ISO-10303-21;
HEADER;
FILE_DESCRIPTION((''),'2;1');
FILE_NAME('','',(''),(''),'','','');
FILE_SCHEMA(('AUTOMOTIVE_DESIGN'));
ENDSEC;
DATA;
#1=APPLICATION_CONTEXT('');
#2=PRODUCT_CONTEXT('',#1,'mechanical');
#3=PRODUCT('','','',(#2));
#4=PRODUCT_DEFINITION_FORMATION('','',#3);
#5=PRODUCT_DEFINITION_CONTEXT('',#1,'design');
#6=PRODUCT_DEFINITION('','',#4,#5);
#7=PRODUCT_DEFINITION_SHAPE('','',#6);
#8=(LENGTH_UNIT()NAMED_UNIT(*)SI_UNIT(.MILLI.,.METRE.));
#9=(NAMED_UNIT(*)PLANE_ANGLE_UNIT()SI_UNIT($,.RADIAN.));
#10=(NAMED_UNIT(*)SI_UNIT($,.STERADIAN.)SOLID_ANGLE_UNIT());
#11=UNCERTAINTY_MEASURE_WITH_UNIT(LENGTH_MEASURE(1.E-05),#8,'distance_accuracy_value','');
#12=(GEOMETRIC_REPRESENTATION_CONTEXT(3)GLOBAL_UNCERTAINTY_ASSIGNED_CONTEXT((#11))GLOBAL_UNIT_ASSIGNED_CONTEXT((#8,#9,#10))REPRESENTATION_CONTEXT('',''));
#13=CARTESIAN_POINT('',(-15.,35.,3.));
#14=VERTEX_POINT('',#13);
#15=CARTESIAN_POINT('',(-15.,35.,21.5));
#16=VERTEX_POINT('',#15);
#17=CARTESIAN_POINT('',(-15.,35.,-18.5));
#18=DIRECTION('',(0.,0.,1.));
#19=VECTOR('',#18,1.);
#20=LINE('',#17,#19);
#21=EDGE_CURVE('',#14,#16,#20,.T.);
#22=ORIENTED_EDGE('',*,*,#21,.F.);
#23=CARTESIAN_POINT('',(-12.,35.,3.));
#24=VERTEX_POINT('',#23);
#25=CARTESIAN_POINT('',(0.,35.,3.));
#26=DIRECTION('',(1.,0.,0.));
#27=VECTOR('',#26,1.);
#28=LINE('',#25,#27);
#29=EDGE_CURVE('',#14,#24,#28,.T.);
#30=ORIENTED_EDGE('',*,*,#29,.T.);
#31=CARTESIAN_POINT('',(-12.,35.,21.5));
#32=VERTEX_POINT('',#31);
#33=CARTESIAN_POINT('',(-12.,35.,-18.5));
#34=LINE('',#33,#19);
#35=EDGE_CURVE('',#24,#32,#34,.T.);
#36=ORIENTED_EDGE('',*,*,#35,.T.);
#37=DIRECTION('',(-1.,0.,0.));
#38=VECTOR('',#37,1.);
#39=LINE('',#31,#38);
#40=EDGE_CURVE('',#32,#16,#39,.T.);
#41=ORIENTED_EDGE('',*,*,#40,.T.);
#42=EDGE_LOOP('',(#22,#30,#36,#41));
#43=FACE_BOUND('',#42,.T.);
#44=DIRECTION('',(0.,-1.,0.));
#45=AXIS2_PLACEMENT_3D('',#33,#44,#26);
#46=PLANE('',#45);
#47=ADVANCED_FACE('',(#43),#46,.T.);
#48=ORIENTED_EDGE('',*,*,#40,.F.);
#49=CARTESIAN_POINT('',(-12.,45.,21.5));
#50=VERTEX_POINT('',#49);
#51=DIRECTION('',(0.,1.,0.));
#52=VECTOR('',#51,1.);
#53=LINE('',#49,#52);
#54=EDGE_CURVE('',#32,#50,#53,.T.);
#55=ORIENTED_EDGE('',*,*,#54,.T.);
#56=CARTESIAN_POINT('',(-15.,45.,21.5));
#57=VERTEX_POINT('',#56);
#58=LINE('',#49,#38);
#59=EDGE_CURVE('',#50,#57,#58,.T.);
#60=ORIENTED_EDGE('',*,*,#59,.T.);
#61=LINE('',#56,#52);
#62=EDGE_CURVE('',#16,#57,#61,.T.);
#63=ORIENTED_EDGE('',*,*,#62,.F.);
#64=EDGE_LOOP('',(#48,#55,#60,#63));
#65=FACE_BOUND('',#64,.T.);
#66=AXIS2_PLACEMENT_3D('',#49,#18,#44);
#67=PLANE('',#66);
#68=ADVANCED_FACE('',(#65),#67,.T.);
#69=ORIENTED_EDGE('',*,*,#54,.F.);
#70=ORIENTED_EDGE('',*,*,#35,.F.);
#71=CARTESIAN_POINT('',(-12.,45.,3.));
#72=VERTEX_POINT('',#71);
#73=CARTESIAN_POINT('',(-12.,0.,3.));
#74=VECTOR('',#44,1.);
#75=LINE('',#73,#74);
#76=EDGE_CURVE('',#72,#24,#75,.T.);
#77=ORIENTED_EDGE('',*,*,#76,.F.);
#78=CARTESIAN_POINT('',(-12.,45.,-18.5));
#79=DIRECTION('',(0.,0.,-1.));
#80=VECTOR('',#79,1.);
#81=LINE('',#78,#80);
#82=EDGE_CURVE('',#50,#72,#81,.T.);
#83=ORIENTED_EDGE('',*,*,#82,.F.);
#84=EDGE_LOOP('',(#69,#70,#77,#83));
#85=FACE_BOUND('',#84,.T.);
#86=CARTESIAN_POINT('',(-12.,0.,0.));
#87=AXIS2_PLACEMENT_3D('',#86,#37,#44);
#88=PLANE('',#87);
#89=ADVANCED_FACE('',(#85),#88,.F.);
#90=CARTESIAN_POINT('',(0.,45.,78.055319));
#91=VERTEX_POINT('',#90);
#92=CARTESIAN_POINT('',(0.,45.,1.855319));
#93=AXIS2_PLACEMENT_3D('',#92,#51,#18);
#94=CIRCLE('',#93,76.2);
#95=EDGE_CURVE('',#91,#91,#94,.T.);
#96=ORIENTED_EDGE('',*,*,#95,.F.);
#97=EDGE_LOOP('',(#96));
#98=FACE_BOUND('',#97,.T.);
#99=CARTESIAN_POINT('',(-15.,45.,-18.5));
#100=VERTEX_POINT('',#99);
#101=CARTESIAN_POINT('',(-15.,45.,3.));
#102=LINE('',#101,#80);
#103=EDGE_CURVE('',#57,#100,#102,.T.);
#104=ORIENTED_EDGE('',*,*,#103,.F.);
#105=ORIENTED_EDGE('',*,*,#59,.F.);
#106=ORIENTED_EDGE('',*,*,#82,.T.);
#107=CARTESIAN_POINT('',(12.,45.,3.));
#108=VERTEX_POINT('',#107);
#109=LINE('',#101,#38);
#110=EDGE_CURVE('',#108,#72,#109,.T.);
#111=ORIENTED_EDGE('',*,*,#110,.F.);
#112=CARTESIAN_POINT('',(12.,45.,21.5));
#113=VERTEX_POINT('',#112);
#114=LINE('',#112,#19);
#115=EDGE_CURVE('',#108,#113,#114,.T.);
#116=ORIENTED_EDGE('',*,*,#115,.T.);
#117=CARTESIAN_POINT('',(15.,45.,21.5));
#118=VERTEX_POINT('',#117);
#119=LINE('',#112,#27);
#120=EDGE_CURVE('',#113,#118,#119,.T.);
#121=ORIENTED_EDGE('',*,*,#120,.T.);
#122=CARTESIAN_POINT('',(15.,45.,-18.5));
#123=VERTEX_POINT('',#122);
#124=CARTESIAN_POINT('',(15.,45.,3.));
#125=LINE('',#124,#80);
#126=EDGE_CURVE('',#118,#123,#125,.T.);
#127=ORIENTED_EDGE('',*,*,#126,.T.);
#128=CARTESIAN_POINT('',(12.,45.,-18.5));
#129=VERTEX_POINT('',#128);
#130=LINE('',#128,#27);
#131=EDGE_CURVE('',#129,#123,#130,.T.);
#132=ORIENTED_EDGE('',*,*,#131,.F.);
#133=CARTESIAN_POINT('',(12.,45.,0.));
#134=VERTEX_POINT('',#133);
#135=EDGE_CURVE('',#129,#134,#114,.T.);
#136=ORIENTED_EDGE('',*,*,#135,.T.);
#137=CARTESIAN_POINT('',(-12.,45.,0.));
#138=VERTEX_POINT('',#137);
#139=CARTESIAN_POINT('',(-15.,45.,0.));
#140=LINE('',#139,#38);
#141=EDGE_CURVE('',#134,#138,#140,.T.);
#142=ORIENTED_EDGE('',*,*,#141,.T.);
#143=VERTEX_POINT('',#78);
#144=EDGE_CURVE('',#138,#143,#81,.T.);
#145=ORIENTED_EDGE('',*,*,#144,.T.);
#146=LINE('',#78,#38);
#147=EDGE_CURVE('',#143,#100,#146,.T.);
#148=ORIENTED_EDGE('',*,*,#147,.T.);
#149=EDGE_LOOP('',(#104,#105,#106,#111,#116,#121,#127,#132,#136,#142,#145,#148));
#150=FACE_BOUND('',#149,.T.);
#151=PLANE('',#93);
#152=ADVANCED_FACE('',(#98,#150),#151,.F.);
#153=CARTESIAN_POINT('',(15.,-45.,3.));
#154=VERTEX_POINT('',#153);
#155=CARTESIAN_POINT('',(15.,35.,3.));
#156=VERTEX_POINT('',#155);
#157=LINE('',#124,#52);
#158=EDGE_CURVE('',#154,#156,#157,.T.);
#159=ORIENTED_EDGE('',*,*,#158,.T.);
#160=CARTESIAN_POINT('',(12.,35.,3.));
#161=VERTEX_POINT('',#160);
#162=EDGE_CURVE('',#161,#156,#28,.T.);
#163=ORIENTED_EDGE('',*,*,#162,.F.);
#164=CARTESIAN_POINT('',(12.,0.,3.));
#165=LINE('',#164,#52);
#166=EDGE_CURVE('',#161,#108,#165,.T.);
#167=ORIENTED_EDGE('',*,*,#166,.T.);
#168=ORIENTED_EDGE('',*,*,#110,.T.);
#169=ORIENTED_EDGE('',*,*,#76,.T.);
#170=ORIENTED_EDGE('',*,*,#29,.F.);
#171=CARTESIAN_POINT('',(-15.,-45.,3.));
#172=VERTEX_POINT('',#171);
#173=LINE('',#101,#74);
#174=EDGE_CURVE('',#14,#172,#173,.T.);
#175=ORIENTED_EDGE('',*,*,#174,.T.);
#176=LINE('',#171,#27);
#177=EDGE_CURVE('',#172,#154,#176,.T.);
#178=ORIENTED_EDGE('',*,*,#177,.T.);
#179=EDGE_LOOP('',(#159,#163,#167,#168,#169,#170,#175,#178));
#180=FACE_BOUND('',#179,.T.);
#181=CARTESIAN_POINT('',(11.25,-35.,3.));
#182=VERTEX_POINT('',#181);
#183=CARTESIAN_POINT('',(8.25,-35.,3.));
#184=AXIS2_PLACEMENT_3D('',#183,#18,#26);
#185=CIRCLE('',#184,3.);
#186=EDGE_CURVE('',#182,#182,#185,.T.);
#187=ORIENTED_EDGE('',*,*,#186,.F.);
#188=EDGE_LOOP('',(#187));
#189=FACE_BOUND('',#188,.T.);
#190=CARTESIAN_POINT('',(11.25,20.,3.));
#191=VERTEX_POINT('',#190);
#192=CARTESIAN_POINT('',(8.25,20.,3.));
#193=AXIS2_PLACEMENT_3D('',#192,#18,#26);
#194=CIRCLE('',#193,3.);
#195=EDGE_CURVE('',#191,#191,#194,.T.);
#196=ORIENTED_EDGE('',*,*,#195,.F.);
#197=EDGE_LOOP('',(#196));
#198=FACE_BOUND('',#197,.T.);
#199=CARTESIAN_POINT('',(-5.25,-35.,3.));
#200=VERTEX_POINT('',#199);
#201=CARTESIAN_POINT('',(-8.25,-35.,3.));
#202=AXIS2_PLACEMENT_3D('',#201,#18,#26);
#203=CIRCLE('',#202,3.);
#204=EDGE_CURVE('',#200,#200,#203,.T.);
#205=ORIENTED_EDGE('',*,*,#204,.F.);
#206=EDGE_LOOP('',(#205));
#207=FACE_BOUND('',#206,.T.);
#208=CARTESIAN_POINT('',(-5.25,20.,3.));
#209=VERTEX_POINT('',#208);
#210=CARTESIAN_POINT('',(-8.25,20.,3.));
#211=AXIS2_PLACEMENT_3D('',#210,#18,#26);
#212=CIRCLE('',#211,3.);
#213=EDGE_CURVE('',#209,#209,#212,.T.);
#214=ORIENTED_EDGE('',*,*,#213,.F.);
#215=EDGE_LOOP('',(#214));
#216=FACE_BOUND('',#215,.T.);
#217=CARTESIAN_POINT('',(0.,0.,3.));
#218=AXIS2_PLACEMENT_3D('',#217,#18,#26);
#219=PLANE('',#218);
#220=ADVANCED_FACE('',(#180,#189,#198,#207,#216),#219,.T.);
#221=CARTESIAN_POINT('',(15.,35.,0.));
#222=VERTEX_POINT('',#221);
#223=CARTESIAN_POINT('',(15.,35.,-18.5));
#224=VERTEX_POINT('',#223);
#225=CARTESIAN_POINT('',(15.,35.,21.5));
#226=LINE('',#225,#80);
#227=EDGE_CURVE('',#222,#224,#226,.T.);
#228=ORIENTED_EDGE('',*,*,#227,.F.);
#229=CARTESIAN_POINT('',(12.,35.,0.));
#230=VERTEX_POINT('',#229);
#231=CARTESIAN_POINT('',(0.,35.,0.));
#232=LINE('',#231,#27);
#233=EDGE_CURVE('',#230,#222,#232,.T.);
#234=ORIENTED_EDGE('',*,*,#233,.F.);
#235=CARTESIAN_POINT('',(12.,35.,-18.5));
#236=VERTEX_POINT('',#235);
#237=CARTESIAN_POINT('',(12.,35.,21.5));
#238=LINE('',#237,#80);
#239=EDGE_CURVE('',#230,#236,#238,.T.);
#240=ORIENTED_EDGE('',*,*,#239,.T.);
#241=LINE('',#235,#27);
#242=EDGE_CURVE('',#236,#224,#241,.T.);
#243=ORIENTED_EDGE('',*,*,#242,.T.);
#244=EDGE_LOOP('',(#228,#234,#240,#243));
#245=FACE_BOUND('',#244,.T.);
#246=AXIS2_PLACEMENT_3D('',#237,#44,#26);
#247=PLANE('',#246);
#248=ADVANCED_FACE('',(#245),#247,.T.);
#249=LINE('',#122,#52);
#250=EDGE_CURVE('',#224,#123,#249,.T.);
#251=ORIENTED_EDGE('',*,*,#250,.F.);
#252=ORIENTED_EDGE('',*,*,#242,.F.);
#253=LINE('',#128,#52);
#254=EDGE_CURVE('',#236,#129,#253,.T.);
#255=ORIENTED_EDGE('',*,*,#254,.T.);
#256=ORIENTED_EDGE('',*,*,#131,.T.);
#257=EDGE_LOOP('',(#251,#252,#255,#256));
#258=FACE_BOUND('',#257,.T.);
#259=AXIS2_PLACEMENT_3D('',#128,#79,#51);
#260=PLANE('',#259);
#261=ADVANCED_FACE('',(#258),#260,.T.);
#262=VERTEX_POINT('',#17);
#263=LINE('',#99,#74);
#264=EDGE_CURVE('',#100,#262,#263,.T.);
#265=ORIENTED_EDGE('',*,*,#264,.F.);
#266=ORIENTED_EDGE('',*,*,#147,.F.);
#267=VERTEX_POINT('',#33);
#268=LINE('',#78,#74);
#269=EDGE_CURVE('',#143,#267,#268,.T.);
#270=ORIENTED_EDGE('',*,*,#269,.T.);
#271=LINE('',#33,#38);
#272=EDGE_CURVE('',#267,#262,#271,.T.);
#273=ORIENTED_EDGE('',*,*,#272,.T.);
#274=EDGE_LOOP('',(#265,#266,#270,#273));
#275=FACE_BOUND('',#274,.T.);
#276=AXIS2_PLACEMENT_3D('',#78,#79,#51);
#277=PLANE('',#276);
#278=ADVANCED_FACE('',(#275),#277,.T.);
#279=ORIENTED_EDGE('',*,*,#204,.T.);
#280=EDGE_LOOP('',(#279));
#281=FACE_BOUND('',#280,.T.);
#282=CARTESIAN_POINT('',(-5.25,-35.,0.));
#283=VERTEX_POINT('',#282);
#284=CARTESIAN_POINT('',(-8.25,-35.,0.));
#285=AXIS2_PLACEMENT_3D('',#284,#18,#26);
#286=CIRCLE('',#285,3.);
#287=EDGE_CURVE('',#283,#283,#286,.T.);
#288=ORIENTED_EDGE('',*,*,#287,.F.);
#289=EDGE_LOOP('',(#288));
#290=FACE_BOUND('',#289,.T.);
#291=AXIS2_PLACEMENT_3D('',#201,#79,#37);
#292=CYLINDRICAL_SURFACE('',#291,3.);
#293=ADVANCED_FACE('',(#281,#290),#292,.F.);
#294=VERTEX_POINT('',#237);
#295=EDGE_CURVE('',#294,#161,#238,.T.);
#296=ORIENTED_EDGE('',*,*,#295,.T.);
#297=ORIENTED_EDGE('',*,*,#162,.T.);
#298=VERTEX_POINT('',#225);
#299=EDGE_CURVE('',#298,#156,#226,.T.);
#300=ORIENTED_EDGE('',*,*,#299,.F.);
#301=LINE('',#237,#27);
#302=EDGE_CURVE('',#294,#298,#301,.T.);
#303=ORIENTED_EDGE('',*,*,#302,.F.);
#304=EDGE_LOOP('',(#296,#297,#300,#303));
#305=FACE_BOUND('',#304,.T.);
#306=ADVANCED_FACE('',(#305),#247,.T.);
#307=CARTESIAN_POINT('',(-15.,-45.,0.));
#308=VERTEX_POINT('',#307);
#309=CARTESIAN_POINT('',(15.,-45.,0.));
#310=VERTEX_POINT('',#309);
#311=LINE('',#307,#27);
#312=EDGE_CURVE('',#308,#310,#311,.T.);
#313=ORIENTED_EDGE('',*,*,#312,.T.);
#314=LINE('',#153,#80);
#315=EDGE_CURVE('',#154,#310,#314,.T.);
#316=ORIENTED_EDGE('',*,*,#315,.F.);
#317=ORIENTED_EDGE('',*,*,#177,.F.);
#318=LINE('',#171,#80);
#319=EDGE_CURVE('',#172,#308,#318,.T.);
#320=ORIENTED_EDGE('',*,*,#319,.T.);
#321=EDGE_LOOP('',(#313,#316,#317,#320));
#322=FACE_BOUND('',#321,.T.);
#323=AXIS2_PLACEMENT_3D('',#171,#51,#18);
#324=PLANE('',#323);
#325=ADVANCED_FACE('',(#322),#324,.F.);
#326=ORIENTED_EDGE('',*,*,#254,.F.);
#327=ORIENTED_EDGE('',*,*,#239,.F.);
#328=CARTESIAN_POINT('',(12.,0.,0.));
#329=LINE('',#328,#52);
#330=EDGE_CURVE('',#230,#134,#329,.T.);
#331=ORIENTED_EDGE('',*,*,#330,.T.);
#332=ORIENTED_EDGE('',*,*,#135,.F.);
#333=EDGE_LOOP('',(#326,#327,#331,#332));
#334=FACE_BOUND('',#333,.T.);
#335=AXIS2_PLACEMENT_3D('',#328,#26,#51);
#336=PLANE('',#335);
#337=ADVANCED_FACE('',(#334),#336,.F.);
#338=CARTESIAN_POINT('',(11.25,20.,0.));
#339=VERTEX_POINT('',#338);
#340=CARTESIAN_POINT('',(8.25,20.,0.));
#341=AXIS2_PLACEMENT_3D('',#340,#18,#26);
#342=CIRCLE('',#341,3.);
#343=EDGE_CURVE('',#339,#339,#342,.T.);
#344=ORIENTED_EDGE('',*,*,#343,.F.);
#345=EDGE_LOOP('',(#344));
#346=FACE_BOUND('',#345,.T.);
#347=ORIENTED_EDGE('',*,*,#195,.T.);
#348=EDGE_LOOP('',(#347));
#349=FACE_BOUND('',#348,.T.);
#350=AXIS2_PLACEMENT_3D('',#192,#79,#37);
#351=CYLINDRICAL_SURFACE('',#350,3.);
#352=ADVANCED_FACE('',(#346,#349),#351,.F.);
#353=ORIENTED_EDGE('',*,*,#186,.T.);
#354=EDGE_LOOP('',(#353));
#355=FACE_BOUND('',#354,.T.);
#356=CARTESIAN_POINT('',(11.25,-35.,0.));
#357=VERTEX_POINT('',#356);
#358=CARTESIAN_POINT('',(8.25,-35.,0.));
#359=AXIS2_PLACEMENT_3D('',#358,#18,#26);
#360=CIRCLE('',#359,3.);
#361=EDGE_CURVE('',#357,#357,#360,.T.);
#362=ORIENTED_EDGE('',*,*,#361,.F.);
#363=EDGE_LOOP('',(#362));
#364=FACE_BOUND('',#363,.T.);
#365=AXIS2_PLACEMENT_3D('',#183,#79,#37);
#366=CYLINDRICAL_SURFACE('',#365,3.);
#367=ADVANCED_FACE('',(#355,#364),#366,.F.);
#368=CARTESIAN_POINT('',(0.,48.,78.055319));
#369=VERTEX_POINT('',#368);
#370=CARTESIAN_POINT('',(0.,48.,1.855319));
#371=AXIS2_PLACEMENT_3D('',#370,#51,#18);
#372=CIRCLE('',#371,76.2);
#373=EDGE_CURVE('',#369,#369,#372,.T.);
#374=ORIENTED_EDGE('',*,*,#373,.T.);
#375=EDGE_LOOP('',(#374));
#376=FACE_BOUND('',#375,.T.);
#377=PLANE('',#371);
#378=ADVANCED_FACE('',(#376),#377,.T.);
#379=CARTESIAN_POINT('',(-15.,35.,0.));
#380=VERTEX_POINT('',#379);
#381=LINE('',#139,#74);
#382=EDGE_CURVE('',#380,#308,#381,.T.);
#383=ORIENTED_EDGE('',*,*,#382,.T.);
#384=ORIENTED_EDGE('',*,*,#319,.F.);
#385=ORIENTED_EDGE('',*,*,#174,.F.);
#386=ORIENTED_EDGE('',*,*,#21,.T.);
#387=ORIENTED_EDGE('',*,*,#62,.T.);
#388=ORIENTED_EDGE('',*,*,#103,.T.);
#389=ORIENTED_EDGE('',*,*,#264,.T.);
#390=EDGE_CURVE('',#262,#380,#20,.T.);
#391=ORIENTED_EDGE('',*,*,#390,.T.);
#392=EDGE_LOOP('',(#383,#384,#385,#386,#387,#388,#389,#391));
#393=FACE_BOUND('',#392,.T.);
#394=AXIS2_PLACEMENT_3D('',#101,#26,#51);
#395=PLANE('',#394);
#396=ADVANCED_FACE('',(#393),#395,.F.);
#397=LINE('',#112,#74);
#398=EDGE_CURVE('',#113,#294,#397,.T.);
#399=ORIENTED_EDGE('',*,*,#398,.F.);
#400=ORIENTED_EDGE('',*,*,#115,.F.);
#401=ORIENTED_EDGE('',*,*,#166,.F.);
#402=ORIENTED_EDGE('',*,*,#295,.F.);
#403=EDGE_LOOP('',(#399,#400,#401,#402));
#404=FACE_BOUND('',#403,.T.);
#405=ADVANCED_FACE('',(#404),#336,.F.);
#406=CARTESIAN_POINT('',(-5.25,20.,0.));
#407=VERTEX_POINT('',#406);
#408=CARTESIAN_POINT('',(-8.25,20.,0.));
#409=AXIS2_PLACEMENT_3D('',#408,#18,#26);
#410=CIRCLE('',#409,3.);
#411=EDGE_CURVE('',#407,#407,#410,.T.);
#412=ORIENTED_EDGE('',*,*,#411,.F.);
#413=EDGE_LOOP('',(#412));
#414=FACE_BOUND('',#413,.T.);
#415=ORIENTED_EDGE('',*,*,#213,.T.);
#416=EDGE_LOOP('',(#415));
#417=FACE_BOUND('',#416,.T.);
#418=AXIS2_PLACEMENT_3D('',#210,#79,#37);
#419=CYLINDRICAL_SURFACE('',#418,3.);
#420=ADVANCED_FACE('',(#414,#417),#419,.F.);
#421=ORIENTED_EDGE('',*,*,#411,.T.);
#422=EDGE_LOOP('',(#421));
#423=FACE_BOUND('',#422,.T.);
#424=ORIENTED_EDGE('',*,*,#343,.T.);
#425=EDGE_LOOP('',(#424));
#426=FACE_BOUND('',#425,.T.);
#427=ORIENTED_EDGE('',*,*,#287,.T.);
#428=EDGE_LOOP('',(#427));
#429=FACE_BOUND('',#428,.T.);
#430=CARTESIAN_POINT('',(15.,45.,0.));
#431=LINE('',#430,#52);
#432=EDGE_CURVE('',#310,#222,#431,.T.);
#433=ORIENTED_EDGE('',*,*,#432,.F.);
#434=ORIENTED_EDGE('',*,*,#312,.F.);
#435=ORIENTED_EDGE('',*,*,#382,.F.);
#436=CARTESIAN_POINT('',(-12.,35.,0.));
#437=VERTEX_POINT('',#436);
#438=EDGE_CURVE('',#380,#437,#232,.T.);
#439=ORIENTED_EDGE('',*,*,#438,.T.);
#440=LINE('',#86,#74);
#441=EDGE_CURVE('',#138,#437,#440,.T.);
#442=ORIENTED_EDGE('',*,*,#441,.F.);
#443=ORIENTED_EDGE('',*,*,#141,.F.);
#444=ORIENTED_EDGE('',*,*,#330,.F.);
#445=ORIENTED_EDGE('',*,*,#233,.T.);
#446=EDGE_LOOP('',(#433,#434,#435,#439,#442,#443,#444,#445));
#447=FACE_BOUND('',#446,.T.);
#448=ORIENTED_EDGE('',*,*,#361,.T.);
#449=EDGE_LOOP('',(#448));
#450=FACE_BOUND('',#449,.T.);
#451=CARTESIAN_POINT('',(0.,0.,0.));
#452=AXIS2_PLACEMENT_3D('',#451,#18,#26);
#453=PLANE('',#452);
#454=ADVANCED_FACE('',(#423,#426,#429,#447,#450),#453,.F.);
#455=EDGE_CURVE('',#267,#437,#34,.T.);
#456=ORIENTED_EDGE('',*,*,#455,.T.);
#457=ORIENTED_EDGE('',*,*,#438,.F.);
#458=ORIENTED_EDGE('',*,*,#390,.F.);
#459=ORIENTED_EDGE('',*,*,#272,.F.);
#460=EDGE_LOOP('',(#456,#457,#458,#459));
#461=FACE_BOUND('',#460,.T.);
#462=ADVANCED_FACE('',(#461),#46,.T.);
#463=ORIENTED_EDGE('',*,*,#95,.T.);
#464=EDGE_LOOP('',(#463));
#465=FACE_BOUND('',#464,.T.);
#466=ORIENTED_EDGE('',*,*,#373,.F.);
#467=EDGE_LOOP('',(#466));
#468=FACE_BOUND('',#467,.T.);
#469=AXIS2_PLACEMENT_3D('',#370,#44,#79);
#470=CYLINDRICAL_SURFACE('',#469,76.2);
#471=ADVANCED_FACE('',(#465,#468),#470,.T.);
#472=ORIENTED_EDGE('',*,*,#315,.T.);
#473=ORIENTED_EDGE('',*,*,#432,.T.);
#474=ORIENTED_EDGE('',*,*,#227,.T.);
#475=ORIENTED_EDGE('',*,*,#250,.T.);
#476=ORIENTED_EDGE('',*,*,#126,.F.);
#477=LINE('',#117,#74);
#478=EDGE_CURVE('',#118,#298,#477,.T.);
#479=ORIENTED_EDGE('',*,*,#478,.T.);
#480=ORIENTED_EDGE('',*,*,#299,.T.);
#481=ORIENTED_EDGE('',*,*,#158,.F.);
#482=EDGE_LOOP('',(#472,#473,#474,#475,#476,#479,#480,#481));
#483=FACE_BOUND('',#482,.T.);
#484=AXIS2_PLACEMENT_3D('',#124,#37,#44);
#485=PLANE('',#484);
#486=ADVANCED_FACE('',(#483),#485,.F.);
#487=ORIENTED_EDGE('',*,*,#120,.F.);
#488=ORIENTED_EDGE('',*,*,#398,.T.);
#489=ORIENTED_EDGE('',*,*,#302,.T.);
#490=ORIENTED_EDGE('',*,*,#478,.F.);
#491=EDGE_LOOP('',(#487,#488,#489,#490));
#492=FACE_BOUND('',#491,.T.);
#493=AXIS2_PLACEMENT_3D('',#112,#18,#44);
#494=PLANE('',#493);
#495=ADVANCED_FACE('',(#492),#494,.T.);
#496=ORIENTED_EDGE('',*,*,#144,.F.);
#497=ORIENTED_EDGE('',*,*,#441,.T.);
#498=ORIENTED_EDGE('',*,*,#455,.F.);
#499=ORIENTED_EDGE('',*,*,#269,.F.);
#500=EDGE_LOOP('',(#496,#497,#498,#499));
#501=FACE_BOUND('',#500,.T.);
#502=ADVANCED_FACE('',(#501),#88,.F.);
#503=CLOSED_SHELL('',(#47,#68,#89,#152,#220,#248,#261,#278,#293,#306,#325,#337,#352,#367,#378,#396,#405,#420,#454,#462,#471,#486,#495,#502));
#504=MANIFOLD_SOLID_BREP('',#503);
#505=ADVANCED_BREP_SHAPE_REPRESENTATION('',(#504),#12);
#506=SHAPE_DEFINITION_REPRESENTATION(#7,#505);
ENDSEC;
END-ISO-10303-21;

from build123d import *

# Parameters (mm, degrees)
SKETCH2_W           = 30
SKETCH2_H           = 90
SKETCH2_R           = 3
BOSS_EXTRUDE1_DEPTH = 3
SKETCH3_R           = 76.2
BOSS_EXTRUDE2_DEPTH = 3
SKETCH4_W           = 40
SKETCH4_H           = 10
BOSS_EXTRUDE3_DEPTH = 3
SKETCH5_W           = 40
SKETCH5_H           = 10
BOSS_EXTRUDE4_DEPTH = 3


with BuildPart() as part:
    # Sketch2 → Boss-Extrude1 (new body)
    with BuildSketch(Plane.XY):
        Rectangle(SKETCH2_W, SKETCH2_H)
        with Locations((-8.25, 20)):
            Circle(SKETCH2_R, mode=Mode.SUBTRACT)
        with Locations((8.25, 20)):
            Circle(SKETCH2_R, mode=Mode.SUBTRACT)
        with Locations((-8.25, -35)):
            Circle(SKETCH2_R, mode=Mode.SUBTRACT)
        with Locations((8.25, -35)):
            Circle(SKETCH2_R, mode=Mode.SUBTRACT)
    extrude(amount=BOSS_EXTRUDE1_DEPTH)

    # Sketch3 → Boss-Extrude2 (add)
    with BuildSketch(Plane(origin=(0, 45, 0), x_dir=(1, 0, 0), z_dir=(0, 1, 0))):
        with Locations(Location((0, -1.855318654, 0), (0, 0, 270))):
            Circle(SKETCH3_R)
    extrude(amount=BOSS_EXTRUDE2_DEPTH)

    # Sketch4 → Boss-Extrude3 (add)
    with BuildSketch(Plane(origin=(15, 0, 0), x_dir=(0, 0, -1), z_dir=(1, 0, 0))):
        with Locations((-1.5, 40)):
            Rectangle(SKETCH4_W, SKETCH4_H)
    extrude(amount=-BOSS_EXTRUDE3_DEPTH)

    # Sketch5 → Boss-Extrude4 (add)
    with BuildSketch(Plane.ZY.offset(15)):
        with Locations((1.5, 40)):
            Rectangle(SKETCH5_W, SKETCH5_H)
    extrude(amount=-BOSS_EXTRUDE4_DEPTH)


solid = part.part
